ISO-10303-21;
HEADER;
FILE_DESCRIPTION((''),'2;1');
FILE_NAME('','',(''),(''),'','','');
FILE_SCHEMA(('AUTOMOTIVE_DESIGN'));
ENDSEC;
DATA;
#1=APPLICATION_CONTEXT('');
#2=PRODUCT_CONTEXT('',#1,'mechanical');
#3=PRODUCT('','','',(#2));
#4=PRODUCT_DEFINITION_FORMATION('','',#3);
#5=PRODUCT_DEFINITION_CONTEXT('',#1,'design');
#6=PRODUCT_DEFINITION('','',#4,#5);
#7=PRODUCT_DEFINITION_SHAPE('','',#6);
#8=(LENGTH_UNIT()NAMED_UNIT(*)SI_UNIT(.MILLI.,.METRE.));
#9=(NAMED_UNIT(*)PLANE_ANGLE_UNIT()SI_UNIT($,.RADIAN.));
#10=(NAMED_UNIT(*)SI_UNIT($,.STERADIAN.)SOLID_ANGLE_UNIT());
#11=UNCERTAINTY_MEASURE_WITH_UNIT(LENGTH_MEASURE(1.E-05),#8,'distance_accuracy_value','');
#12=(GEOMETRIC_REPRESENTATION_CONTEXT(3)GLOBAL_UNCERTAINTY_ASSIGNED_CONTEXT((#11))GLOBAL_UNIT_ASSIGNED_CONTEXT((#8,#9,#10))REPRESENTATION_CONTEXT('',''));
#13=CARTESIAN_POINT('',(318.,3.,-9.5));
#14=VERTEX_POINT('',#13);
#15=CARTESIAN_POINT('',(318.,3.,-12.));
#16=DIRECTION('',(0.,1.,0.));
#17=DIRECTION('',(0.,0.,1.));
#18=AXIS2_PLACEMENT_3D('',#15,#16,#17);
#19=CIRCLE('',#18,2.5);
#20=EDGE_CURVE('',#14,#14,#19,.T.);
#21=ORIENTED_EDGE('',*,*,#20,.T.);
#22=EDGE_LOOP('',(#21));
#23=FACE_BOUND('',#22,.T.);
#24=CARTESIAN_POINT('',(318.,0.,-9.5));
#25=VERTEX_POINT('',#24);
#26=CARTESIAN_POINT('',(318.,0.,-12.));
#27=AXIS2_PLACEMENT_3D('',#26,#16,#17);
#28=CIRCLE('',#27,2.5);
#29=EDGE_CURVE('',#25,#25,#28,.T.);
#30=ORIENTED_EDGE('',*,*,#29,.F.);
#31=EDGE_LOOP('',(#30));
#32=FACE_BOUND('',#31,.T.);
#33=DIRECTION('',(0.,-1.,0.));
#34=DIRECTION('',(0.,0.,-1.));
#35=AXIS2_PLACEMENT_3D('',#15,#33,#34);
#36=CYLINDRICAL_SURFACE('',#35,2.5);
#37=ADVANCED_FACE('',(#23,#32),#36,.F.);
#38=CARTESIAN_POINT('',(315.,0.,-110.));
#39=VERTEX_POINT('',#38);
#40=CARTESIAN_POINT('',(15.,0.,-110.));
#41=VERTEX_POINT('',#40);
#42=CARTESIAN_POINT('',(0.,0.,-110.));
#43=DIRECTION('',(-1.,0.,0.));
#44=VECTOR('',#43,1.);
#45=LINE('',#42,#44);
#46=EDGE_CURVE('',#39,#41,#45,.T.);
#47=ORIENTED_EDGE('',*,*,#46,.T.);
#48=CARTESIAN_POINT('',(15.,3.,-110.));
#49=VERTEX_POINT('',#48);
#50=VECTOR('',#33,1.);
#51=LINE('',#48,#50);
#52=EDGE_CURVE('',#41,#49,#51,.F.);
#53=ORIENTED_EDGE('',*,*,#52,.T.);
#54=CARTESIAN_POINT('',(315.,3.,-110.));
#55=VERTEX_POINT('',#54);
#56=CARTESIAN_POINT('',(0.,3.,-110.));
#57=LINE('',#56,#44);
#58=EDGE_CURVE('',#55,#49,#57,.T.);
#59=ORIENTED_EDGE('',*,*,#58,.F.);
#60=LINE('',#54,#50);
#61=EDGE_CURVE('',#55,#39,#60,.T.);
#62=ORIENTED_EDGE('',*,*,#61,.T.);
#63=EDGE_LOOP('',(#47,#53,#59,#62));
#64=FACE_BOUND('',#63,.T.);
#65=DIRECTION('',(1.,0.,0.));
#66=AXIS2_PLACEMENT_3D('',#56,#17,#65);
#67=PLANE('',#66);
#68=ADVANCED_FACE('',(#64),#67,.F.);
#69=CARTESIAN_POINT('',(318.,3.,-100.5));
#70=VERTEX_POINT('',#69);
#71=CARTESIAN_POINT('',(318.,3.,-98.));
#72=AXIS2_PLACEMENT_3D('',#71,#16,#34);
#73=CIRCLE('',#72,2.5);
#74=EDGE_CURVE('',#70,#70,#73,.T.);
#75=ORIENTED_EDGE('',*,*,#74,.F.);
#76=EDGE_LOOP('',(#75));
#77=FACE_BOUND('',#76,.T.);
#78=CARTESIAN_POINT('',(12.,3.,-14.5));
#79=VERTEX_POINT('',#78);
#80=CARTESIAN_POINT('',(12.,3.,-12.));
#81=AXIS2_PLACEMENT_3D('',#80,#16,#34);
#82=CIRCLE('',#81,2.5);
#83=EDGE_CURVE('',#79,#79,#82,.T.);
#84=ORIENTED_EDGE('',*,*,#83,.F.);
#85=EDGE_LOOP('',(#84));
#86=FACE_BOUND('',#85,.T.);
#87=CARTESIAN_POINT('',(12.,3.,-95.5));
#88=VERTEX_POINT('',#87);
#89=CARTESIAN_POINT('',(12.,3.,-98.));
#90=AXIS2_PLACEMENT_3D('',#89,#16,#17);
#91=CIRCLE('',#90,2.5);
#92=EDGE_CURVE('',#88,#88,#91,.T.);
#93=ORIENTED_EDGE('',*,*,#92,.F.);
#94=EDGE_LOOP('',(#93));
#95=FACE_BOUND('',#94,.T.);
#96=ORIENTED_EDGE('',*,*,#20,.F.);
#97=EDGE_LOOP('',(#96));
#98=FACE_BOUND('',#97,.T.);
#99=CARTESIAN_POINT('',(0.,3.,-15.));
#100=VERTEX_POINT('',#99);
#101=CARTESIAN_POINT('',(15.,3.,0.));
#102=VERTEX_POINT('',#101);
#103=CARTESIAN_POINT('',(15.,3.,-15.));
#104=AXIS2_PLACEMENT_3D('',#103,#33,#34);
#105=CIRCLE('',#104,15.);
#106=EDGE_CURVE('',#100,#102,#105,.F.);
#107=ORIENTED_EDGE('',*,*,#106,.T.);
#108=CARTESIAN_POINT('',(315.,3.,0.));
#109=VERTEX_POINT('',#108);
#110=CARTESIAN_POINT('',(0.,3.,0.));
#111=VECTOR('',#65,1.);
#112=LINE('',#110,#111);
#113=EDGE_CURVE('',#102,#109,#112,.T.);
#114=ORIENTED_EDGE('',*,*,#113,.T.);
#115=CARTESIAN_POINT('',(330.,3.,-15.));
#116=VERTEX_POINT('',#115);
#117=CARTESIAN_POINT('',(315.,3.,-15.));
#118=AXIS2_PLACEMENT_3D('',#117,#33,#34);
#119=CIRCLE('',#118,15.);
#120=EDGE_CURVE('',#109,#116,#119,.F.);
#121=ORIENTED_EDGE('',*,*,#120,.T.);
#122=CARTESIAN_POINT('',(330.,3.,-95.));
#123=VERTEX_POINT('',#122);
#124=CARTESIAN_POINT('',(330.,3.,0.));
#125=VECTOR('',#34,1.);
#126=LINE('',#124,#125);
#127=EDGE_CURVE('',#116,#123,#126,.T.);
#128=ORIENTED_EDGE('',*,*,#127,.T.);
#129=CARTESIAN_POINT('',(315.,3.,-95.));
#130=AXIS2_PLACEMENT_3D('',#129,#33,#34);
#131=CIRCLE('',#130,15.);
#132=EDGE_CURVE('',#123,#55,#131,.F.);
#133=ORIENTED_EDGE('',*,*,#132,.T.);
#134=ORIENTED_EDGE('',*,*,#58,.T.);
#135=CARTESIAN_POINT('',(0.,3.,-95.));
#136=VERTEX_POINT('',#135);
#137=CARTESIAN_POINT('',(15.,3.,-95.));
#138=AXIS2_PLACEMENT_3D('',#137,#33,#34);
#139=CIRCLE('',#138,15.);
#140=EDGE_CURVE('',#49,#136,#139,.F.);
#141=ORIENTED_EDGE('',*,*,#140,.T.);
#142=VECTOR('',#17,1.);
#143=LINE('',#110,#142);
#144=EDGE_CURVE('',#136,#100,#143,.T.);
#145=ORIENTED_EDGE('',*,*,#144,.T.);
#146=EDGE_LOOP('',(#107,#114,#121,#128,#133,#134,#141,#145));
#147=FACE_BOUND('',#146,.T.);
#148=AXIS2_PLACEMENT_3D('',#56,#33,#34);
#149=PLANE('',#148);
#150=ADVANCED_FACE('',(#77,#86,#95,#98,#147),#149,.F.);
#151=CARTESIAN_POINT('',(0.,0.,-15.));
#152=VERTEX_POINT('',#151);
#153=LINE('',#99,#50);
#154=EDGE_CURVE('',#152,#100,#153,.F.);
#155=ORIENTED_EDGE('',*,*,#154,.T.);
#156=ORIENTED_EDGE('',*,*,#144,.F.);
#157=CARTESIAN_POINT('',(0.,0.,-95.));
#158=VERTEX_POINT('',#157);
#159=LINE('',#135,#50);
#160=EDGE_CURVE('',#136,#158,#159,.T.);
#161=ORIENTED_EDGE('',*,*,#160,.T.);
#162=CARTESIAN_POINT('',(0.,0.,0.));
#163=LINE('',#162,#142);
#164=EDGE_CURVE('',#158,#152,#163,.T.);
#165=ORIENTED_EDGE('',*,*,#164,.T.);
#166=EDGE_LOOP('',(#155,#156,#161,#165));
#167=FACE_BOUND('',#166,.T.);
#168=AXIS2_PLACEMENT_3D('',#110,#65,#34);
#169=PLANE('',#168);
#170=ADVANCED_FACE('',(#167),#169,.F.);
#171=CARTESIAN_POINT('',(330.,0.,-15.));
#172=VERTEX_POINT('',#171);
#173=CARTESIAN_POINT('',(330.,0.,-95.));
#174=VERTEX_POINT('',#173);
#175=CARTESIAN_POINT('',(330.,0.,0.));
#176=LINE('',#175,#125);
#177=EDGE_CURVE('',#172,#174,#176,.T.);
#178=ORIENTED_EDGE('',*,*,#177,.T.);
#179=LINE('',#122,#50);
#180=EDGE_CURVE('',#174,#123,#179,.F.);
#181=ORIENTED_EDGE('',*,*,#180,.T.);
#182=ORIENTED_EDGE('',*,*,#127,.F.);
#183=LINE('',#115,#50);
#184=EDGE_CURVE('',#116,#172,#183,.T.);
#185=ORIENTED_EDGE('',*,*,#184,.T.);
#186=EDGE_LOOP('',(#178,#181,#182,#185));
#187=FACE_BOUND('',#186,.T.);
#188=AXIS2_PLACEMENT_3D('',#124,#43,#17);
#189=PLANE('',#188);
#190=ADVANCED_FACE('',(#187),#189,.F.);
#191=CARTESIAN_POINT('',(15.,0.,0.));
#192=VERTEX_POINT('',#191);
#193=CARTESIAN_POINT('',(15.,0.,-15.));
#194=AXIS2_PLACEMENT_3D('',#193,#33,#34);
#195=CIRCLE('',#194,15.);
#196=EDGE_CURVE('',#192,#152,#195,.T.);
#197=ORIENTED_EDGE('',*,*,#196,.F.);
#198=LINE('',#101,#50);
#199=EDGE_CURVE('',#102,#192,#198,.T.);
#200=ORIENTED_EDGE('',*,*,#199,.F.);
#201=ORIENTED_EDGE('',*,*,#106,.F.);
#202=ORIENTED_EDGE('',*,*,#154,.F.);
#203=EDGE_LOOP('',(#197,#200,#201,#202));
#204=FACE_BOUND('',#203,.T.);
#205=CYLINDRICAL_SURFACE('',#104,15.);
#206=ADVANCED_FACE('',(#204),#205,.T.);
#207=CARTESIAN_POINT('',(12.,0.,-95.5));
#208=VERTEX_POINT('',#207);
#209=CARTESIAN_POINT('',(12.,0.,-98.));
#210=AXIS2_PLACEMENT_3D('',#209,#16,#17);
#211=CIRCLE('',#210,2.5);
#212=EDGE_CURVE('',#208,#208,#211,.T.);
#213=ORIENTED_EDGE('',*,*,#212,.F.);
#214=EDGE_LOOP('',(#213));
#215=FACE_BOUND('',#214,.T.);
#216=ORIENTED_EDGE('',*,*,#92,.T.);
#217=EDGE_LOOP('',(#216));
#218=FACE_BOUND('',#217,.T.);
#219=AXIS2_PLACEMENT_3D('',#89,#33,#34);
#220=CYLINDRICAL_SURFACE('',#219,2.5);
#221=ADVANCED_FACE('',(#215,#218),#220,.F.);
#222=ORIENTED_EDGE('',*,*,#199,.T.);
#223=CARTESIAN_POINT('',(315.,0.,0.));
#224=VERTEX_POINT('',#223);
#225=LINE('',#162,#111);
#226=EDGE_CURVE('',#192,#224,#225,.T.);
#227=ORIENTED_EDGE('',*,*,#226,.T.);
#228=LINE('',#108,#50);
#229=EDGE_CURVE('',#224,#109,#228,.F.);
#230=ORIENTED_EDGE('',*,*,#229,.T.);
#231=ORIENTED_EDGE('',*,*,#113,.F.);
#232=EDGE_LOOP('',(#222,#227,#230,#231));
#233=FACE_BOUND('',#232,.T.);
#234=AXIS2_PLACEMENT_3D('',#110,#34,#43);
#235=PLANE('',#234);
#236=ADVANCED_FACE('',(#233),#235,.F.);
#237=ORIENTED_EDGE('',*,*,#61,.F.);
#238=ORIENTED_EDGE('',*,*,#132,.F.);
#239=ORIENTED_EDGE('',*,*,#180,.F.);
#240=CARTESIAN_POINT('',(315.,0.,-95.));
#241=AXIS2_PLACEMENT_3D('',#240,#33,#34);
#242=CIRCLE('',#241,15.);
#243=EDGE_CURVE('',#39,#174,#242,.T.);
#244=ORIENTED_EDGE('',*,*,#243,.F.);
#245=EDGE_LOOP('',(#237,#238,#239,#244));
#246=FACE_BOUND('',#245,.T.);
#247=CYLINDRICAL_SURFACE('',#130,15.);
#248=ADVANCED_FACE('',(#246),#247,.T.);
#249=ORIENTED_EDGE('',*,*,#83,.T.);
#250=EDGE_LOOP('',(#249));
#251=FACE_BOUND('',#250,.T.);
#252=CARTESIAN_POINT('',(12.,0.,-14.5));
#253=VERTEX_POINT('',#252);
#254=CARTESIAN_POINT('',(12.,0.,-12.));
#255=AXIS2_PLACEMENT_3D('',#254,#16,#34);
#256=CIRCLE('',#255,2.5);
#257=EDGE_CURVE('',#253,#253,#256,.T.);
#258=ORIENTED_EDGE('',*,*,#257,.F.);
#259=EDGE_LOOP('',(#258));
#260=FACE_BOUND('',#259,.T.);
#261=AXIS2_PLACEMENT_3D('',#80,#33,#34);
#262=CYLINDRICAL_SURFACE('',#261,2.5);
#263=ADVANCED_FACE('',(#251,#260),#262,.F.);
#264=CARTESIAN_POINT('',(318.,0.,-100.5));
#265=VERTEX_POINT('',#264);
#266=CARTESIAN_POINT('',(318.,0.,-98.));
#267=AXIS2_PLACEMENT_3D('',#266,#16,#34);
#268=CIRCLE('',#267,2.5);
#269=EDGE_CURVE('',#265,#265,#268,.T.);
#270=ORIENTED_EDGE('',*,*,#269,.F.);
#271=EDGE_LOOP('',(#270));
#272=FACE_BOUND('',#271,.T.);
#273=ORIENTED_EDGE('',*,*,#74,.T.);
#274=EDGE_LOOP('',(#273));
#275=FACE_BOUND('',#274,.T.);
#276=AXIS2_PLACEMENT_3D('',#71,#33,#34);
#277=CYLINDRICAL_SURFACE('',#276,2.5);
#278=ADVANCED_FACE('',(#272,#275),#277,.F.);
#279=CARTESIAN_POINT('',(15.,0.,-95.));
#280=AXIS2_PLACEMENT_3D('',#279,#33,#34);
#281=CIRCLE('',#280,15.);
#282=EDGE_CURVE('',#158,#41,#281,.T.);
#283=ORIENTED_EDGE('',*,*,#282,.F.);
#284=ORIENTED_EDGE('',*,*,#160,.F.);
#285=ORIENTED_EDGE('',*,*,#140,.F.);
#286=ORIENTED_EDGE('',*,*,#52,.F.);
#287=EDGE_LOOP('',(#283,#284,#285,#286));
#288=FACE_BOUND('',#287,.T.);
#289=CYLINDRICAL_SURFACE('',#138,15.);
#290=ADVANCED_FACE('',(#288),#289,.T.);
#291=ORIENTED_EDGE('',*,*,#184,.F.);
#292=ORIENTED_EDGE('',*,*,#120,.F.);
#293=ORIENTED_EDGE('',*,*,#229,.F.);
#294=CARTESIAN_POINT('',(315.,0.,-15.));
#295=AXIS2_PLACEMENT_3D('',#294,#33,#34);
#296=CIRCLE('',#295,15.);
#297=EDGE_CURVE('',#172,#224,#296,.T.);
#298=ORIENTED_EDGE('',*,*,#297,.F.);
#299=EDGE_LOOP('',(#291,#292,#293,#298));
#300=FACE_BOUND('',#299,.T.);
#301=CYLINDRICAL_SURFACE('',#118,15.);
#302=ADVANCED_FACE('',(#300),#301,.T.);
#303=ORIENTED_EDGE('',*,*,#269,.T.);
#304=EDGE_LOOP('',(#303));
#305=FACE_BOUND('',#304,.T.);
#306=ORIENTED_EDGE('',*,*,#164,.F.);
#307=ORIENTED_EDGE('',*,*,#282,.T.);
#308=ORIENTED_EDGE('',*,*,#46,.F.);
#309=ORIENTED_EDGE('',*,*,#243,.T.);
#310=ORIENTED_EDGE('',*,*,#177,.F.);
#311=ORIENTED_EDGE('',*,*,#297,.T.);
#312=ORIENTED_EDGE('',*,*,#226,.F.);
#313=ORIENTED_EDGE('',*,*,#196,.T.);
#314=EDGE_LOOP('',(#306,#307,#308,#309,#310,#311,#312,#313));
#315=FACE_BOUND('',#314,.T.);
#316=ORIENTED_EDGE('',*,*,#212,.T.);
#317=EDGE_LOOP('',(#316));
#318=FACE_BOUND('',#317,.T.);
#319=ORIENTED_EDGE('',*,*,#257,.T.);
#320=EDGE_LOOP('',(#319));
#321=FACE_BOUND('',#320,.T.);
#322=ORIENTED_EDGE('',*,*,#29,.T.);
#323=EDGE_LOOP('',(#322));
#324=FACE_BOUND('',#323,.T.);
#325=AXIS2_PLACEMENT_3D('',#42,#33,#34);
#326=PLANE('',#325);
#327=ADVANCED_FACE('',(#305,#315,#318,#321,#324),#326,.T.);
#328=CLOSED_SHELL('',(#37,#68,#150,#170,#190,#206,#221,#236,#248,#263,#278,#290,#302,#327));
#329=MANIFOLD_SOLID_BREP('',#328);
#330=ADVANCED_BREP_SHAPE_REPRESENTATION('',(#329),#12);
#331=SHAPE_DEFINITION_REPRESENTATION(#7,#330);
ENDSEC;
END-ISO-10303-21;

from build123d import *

# Parameters (mm, degrees)
ESQUISSE1_W      = 330
ESQUISSE1_H      = 110
ESQUISSE1_R      = 2.5
EXTRUSION1_DEPTH = 3
CONG_2_R         = 15


with BuildPart() as part:
    # Esquisse1 → Extrusion1 (new body)
    with BuildSketch(Plane(origin=(0, 0, 0), x_dir=(1, 0, 0), z_dir=(0, 1, 0))):
        with Locations((165, 55)):
            Rectangle(ESQUISSE1_W, ESQUISSE1_H)
        with Locations((12, 98)):
            Circle(ESQUISSE1_R, mode=Mode.SUBTRACT)
        with Locations((318, 98)):
            Circle(ESQUISSE1_R, mode=Mode.SUBTRACT)
        with Locations((318, 12)):
            Circle(ESQUISSE1_R, mode=Mode.SUBTRACT)
        with Locations((12, 12)):
            Circle(ESQUISSE1_R, mode=Mode.SUBTRACT)
    extrude(amount=EXTRUSION1_DEPTH)

    # Congé2
    cong_2_edges = [part.edges().sort_by_distance(p)[0] for p in [
        (0, 1.5, -110),
        (330, 1.5, -110),
        (330, 1.5, 0),
        (0, 1.5, 0),
    ]]
    fillet(cong_2_edges, radius=CONG_2_R)


solid = part.part
